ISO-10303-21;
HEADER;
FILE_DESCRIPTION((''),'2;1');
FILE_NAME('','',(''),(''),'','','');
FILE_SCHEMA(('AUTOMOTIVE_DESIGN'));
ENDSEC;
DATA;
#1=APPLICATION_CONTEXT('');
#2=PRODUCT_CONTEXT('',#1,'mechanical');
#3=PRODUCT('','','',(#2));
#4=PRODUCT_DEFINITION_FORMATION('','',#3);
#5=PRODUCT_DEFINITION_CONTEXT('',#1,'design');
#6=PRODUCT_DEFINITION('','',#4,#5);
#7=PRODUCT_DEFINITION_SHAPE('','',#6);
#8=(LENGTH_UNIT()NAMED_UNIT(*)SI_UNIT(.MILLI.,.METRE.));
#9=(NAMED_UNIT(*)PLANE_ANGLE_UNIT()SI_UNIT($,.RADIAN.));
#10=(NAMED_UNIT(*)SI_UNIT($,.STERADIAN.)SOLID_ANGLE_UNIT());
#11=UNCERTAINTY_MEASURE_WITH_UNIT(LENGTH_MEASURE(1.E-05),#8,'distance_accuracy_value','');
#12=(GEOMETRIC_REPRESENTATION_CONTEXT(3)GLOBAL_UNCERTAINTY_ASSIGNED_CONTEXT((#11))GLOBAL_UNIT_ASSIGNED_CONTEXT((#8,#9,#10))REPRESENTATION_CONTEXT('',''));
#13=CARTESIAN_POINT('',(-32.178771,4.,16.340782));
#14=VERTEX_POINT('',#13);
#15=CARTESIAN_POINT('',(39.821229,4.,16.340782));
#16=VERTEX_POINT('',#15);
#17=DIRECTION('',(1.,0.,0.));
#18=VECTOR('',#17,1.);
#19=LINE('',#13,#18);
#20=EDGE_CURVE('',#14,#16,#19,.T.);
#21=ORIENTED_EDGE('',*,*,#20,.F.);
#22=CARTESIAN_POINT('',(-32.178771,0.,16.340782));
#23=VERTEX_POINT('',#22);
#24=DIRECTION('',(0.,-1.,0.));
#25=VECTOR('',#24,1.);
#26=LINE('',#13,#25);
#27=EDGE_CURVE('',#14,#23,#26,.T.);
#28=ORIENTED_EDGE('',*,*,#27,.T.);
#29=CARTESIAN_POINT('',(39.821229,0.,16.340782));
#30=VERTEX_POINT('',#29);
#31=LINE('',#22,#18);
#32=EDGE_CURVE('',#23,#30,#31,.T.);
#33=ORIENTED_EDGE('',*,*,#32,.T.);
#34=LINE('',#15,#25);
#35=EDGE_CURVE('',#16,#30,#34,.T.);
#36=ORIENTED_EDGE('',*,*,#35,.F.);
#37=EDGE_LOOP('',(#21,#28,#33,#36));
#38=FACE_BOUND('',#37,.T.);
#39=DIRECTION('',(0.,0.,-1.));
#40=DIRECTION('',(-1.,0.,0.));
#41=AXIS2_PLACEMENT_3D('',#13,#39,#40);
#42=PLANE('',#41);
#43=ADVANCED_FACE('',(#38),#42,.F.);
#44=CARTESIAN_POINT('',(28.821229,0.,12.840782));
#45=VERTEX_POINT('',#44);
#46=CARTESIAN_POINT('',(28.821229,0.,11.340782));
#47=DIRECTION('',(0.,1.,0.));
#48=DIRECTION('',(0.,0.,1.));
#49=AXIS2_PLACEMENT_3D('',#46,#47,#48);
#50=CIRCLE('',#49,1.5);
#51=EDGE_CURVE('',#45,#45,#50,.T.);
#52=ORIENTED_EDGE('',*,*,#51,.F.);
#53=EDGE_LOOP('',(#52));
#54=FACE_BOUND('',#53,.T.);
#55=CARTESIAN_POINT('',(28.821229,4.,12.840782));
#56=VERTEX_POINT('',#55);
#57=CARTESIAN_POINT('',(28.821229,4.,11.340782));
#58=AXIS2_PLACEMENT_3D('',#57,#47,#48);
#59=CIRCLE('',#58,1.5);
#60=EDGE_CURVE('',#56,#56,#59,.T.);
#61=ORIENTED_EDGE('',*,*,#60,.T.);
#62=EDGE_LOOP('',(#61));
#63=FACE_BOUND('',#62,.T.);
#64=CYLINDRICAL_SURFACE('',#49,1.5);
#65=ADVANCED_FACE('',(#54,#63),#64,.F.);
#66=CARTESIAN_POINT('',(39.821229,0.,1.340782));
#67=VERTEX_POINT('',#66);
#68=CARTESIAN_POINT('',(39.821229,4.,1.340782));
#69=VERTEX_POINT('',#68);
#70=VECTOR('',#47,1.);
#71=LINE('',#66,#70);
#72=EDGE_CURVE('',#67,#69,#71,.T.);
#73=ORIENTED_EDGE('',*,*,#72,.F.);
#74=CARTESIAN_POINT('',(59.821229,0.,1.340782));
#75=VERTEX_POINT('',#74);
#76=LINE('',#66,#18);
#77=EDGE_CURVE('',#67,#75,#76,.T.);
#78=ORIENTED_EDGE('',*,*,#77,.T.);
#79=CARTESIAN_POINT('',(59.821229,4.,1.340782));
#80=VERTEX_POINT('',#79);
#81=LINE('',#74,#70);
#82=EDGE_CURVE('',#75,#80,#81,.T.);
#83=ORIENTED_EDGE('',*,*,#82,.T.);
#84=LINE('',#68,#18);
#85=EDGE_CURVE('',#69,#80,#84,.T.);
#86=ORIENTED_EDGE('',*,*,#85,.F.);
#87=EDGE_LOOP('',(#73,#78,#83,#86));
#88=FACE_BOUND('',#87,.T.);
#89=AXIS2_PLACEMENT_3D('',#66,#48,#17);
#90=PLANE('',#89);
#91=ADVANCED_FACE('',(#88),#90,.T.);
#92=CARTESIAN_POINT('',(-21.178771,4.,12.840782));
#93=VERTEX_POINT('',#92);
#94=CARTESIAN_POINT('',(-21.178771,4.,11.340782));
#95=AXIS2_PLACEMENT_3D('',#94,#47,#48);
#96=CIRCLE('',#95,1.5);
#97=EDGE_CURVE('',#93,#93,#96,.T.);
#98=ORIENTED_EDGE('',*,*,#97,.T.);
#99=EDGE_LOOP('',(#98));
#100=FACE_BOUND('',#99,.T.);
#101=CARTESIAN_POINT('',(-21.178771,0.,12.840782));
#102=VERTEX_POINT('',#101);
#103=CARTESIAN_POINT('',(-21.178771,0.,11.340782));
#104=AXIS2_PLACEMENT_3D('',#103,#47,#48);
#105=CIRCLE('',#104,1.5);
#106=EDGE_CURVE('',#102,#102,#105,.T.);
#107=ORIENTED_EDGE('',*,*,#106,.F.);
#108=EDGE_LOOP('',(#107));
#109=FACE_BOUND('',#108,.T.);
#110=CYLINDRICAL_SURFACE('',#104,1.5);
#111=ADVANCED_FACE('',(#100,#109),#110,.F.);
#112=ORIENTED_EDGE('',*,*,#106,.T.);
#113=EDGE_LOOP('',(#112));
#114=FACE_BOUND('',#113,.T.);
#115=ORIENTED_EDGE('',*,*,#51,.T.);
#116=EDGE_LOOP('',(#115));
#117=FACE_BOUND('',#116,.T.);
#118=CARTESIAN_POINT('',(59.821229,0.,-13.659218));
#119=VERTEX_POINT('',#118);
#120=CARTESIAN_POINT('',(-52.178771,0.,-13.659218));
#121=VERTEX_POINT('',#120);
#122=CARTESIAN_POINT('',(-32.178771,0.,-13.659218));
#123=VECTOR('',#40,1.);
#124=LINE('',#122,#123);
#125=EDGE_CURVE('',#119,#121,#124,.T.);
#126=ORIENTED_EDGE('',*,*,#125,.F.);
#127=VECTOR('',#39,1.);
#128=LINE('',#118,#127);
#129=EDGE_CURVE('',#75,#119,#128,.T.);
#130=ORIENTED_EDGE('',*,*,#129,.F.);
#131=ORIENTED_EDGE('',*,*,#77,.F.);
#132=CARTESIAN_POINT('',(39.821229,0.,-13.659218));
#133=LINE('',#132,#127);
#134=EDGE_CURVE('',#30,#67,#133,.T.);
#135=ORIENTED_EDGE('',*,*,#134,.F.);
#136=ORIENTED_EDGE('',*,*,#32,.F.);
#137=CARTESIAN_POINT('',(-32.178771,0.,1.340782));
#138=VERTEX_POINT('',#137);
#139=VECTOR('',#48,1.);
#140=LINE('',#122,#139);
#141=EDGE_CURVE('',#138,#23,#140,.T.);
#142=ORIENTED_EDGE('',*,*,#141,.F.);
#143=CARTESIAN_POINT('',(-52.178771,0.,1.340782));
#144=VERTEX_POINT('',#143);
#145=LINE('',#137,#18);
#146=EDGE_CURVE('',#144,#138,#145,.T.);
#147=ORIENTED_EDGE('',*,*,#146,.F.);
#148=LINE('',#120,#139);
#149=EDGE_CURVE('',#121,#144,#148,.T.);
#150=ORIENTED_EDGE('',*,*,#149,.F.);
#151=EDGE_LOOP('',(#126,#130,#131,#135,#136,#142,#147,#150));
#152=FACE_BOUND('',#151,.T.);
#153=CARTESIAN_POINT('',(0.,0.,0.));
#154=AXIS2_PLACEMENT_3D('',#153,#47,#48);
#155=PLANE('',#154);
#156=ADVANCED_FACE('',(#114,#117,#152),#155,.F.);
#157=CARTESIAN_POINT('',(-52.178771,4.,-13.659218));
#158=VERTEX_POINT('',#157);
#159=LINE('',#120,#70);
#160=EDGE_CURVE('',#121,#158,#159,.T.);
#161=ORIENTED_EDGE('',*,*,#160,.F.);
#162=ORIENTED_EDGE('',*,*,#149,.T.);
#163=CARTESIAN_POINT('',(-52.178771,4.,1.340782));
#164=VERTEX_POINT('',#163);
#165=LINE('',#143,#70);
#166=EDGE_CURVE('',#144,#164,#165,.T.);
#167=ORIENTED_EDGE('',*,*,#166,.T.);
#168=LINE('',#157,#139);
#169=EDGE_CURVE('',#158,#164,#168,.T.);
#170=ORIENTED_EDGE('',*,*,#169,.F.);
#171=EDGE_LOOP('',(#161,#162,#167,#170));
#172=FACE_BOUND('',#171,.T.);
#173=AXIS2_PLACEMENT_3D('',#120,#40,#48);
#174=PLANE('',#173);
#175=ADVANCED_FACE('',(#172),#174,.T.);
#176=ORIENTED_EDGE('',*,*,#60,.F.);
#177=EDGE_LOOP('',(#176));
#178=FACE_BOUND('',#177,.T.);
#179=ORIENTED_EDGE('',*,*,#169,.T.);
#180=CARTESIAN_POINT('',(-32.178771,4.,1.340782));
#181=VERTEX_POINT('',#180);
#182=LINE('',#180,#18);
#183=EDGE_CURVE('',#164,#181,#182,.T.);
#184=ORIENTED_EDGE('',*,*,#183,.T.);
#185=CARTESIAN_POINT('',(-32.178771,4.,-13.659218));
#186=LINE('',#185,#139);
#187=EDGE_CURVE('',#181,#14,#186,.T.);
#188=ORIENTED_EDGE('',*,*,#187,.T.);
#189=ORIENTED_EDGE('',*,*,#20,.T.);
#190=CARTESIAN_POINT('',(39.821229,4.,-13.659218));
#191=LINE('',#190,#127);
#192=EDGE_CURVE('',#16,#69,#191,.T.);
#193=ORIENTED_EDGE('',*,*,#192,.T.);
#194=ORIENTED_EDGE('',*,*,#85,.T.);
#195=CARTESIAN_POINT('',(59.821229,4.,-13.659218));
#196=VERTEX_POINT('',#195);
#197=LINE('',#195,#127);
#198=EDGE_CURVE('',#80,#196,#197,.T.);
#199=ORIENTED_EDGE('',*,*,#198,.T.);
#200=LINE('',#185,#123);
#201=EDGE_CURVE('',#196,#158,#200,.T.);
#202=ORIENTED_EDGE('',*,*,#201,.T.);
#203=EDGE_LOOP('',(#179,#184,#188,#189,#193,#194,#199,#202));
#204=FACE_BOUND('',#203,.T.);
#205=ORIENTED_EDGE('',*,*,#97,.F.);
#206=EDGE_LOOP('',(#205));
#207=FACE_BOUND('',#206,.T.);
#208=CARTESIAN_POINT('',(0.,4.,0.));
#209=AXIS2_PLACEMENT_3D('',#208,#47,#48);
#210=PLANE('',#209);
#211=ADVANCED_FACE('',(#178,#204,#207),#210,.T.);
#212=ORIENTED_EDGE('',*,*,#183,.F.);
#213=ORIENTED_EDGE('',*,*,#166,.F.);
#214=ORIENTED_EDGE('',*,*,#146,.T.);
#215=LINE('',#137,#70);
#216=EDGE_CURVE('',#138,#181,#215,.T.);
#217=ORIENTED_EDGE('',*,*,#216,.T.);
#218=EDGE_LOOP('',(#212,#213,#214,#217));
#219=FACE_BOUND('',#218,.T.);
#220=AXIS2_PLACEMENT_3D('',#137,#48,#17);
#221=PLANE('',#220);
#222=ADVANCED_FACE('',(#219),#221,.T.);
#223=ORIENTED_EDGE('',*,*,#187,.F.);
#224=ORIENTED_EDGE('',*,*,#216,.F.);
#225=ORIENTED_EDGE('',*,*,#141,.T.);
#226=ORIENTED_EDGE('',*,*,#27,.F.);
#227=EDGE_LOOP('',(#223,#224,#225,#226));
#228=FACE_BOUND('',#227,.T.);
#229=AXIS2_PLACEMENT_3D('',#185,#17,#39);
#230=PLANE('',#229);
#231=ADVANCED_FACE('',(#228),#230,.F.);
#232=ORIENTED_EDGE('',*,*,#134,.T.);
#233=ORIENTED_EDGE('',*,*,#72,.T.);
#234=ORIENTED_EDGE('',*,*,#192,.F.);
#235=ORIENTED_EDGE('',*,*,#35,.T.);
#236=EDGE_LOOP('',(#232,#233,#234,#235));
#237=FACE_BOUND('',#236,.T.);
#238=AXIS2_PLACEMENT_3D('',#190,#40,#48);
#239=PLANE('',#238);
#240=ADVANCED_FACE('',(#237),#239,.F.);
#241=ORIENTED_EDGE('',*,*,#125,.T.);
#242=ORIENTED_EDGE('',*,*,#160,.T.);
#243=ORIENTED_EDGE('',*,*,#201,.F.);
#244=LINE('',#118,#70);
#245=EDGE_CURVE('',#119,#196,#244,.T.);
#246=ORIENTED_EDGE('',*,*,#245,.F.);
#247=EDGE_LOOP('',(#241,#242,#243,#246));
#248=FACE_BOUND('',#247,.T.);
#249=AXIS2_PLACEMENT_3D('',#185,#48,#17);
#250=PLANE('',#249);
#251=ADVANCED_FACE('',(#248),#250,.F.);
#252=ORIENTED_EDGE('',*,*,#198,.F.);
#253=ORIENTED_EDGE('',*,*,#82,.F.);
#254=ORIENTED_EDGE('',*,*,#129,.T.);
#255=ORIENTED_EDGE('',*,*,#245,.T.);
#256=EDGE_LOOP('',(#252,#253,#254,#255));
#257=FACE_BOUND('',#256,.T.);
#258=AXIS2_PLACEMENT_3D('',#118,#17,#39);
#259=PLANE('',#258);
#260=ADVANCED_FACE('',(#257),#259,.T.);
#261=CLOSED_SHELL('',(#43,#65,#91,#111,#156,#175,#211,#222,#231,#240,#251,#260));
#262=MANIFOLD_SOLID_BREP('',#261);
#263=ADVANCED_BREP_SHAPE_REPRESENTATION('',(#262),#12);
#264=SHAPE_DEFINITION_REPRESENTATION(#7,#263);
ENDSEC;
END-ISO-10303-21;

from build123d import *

# Parameters (mm, degrees)
SKETCH1_W           = 72
SKETCH1_H           = 30
BOSS_EXTRUDE1_DEPTH = 4
SKETCH2_R           = 1.5
CUT_EXTRUDE1_DEPTH  = 4
SKETCH3_W           = 20
SKETCH3_H           = 15
BOSS_EXTRUDE3_DEPTH = 4


with BuildPart() as part:
    # Sketch1 → Boss-Extrude1 (new body)
    with BuildSketch(Plane(origin=(0, 0, 0), x_dir=(1, 0, 0), z_dir=(0, 1, 0))):
        with Locations((3.82122905, -1.340782123)):
            Rectangle(SKETCH1_W, SKETCH1_H)
    extrude(amount=BOSS_EXTRUDE1_DEPTH)

    # Sketch2 → Cut-Extrude1 (cut)
    with BuildSketch(Plane(origin=(0, 4, 0), x_dir=(1, 0, 0), z_dir=(0, 1, 0))):
        with Locations((-21.17877095, -11.340782123)):
            Circle(SKETCH2_R)
        with Locations((28.82122905, -11.340782123)):
            Circle(SKETCH2_R)
    extrude(amount=-CUT_EXTRUDE1_DEPTH, mode=Mode.SUBTRACT)

    # Sketch3 → Boss-Extrude3 (add)
    with BuildSketch(Plane(origin=(0, 4, 0), x_dir=(1, 0, 0), z_dir=(0, 1, 0))):
        with Locations((49.82122905, 6.159217877)):
            Rectangle(SKETCH3_W, SKETCH3_H)
        with Locations((-42.17877095, 6.159217877)):
            Rectangle(SKETCH3_W, SKETCH3_H)
    extrude(amount=-BOSS_EXTRUDE3_DEPTH)


solid = part.part
